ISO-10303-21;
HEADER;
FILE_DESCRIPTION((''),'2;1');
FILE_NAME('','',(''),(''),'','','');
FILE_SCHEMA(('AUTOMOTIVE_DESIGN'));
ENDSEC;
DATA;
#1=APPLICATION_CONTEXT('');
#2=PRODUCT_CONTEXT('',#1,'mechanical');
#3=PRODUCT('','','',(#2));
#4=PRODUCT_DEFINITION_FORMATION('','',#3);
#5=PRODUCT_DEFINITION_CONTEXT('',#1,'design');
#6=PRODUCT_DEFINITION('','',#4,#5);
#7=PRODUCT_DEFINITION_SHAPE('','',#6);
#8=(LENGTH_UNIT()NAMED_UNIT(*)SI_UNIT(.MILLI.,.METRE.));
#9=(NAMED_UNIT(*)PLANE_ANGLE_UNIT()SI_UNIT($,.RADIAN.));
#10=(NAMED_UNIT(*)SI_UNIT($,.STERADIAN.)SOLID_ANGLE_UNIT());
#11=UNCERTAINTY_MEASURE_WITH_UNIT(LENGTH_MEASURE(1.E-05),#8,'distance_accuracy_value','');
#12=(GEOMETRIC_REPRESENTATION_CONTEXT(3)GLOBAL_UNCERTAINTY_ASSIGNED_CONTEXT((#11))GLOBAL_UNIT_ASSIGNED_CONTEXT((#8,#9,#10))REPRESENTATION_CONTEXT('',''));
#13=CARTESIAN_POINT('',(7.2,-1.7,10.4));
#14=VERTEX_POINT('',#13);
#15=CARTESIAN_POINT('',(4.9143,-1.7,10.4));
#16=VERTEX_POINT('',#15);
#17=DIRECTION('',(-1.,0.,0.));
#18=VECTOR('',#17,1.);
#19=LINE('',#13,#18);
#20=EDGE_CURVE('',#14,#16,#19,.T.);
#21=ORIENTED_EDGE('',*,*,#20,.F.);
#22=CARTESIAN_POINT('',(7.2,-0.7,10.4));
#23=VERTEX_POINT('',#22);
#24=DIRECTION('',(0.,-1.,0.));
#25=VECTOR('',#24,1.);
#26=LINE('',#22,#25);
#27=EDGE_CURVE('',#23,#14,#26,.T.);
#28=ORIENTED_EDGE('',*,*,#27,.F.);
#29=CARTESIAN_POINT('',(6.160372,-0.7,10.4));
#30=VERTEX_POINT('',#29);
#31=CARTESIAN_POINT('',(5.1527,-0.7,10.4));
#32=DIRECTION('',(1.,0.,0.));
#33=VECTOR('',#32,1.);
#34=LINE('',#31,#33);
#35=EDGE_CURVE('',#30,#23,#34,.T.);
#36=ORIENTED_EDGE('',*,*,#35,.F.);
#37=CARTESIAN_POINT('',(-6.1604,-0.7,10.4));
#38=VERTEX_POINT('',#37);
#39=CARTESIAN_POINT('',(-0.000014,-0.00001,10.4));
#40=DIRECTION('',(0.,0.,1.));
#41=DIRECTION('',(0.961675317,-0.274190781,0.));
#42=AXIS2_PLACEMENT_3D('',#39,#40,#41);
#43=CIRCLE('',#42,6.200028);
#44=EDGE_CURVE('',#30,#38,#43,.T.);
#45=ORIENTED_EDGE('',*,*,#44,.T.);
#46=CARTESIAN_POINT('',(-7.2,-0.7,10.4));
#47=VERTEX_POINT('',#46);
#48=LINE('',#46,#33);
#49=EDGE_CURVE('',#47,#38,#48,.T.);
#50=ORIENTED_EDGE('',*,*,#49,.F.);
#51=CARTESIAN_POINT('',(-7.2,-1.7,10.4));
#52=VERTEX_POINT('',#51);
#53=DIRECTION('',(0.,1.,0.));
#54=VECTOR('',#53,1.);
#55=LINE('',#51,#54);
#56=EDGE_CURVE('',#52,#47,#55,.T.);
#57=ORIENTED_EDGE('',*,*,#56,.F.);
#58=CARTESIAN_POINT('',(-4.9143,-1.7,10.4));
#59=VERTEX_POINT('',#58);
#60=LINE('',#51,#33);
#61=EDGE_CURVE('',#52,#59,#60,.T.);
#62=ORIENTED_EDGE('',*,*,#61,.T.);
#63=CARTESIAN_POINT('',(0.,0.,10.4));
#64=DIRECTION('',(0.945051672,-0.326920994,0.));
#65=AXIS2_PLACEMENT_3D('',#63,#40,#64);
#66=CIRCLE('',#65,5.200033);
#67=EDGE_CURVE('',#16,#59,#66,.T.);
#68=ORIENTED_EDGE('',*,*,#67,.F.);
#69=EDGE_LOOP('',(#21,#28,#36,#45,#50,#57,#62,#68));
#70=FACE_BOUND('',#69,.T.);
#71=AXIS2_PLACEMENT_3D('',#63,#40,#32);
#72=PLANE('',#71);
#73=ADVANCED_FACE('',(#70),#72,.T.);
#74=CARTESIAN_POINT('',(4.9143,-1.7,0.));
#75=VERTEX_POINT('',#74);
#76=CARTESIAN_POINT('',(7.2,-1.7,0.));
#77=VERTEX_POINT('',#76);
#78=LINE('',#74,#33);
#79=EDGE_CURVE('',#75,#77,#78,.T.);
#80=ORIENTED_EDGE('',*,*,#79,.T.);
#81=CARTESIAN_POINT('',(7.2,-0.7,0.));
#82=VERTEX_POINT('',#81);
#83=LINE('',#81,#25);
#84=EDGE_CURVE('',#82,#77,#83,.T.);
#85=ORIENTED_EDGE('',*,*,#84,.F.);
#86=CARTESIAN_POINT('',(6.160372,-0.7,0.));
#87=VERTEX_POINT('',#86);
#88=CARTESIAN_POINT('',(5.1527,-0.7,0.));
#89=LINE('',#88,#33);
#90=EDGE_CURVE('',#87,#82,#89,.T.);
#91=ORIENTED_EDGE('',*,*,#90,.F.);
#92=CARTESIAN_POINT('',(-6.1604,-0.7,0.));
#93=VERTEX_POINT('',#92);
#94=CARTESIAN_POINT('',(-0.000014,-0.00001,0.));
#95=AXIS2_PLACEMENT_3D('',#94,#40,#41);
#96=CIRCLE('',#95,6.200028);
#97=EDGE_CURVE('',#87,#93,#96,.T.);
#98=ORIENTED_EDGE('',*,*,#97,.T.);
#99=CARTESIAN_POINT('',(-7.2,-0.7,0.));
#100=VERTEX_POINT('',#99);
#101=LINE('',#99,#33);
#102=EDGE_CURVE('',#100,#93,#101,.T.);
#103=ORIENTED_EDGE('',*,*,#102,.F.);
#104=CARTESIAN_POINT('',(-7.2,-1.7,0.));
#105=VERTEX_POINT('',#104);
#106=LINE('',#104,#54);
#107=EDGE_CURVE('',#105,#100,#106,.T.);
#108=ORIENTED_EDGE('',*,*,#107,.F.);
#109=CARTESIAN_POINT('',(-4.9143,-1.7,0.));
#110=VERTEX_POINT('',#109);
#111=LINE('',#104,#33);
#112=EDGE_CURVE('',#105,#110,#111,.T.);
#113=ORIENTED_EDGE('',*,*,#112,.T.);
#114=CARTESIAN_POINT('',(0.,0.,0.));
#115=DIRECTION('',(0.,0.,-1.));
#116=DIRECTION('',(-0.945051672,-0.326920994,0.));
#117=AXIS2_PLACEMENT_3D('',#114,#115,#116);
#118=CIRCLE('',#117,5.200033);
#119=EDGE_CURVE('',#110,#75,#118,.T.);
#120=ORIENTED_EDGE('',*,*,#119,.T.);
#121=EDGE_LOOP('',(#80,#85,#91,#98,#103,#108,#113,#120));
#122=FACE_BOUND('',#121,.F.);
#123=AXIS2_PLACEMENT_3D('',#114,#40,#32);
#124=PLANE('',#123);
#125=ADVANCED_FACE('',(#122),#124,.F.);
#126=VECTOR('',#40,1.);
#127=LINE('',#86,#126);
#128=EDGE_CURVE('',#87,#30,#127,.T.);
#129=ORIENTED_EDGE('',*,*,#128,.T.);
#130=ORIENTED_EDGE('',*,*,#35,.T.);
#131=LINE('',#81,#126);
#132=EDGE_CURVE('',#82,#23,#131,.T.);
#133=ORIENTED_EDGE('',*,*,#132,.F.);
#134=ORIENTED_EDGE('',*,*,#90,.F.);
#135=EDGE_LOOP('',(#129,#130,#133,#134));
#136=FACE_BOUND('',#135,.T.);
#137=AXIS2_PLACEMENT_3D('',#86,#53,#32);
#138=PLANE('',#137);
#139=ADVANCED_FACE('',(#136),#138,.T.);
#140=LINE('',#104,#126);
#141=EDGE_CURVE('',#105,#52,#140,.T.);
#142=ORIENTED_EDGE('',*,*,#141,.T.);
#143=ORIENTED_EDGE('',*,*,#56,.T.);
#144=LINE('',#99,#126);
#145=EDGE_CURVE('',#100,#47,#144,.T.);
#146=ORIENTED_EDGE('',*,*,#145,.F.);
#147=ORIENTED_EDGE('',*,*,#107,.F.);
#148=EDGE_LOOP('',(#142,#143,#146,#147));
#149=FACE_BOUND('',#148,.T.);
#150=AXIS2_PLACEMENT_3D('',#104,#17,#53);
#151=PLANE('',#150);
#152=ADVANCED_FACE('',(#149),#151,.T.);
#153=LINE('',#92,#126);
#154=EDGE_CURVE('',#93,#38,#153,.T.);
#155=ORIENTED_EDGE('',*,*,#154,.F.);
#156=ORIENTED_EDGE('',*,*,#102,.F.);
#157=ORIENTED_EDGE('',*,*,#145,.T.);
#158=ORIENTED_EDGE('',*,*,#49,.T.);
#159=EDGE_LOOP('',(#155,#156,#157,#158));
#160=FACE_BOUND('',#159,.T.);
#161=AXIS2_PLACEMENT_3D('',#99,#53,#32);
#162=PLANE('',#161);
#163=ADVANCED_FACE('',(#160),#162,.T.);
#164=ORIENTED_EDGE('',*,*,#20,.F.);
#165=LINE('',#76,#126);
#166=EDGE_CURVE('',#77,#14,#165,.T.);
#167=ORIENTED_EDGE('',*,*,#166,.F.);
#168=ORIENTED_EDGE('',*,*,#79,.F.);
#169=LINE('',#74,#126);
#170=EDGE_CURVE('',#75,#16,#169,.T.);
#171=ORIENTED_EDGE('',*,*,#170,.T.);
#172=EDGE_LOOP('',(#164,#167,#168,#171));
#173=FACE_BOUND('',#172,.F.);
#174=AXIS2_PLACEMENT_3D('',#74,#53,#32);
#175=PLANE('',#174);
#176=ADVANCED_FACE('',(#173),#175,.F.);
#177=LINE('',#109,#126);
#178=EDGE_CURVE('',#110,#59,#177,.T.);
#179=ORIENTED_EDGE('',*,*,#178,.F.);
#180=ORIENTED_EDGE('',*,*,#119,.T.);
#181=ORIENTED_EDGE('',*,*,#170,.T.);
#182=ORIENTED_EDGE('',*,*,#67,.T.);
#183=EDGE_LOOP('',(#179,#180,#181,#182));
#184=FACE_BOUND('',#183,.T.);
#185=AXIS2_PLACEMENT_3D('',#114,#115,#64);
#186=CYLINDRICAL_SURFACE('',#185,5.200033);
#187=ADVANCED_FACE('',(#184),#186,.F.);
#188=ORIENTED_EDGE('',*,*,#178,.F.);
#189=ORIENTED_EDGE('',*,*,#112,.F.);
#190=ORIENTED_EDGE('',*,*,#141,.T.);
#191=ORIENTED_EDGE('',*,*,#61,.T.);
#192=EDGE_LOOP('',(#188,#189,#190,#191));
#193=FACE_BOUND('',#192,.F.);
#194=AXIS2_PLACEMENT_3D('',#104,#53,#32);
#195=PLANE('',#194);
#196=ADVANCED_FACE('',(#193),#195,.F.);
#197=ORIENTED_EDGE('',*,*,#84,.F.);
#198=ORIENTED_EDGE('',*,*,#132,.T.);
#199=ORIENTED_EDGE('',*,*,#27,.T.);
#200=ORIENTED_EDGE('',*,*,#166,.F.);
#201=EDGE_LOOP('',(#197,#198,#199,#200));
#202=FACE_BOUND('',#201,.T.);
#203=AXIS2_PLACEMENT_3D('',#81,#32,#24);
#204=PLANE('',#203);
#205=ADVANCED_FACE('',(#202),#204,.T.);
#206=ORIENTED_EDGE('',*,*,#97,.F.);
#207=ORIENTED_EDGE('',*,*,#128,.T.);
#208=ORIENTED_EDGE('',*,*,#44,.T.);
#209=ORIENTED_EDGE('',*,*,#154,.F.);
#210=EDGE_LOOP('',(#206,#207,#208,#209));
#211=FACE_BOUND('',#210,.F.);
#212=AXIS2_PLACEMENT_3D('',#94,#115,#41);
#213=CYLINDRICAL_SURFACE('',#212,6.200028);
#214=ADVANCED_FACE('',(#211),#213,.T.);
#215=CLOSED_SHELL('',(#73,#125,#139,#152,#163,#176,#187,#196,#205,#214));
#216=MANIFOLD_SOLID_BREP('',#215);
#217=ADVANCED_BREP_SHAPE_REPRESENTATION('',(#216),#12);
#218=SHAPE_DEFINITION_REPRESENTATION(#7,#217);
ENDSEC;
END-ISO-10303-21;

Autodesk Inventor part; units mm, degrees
ref_plane "YZ Plane" through (0, 0, 0) normal (1, 0, 0) x (0, 1, 0)
ref_plane "XZ Plane" through (0, 0, 0) normal (0, 1, 0) x (-1, 0, 0)
ref_plane "XY Plane" through (0, 0, 0) normal (0, 0, 1) x (1, 0, 0)
sketch "스케치1" plane through (0, 0, 0) normal (0, 0, 1) x (1, 0, 0)
  arc A0 (4.9143, -1.7) -> (-4.9143, -1.7) centre (0, 0) ccw
  line L0 (-7.2, -1.7) -> (-7.2, -0.7)
  line L1 (7.2, -0.7) -> (7.2, -1.7)
  arc A1 (5.9624, -1.7) -> (-6.1604, -0.7) centre (0, 0) ccw
  line L2 (-7.2, -1.7) -> (-4.9143, -1.7)
  line L3 (4.9143, -1.7) -> (7.2, -1.7)
  line L4 (-7.2, -0.7) -> (-5.1527, -0.7)
  line L5 (5.1527, -0.7) -> (7.2, -0.7)
  point P0 (0, -0.7)
  point P1 (6.1604, -0.7)
  dimension "d0" = 10.4
  dimension "d1" = 1
  dimension "d2" = 0.7
  dimension "d3" = 2
  dimension "d4" = 1
extrude "돌출1" add sketch "스케치1" along normal blind 10.4
properties part number "SAFRS-P-0016"
